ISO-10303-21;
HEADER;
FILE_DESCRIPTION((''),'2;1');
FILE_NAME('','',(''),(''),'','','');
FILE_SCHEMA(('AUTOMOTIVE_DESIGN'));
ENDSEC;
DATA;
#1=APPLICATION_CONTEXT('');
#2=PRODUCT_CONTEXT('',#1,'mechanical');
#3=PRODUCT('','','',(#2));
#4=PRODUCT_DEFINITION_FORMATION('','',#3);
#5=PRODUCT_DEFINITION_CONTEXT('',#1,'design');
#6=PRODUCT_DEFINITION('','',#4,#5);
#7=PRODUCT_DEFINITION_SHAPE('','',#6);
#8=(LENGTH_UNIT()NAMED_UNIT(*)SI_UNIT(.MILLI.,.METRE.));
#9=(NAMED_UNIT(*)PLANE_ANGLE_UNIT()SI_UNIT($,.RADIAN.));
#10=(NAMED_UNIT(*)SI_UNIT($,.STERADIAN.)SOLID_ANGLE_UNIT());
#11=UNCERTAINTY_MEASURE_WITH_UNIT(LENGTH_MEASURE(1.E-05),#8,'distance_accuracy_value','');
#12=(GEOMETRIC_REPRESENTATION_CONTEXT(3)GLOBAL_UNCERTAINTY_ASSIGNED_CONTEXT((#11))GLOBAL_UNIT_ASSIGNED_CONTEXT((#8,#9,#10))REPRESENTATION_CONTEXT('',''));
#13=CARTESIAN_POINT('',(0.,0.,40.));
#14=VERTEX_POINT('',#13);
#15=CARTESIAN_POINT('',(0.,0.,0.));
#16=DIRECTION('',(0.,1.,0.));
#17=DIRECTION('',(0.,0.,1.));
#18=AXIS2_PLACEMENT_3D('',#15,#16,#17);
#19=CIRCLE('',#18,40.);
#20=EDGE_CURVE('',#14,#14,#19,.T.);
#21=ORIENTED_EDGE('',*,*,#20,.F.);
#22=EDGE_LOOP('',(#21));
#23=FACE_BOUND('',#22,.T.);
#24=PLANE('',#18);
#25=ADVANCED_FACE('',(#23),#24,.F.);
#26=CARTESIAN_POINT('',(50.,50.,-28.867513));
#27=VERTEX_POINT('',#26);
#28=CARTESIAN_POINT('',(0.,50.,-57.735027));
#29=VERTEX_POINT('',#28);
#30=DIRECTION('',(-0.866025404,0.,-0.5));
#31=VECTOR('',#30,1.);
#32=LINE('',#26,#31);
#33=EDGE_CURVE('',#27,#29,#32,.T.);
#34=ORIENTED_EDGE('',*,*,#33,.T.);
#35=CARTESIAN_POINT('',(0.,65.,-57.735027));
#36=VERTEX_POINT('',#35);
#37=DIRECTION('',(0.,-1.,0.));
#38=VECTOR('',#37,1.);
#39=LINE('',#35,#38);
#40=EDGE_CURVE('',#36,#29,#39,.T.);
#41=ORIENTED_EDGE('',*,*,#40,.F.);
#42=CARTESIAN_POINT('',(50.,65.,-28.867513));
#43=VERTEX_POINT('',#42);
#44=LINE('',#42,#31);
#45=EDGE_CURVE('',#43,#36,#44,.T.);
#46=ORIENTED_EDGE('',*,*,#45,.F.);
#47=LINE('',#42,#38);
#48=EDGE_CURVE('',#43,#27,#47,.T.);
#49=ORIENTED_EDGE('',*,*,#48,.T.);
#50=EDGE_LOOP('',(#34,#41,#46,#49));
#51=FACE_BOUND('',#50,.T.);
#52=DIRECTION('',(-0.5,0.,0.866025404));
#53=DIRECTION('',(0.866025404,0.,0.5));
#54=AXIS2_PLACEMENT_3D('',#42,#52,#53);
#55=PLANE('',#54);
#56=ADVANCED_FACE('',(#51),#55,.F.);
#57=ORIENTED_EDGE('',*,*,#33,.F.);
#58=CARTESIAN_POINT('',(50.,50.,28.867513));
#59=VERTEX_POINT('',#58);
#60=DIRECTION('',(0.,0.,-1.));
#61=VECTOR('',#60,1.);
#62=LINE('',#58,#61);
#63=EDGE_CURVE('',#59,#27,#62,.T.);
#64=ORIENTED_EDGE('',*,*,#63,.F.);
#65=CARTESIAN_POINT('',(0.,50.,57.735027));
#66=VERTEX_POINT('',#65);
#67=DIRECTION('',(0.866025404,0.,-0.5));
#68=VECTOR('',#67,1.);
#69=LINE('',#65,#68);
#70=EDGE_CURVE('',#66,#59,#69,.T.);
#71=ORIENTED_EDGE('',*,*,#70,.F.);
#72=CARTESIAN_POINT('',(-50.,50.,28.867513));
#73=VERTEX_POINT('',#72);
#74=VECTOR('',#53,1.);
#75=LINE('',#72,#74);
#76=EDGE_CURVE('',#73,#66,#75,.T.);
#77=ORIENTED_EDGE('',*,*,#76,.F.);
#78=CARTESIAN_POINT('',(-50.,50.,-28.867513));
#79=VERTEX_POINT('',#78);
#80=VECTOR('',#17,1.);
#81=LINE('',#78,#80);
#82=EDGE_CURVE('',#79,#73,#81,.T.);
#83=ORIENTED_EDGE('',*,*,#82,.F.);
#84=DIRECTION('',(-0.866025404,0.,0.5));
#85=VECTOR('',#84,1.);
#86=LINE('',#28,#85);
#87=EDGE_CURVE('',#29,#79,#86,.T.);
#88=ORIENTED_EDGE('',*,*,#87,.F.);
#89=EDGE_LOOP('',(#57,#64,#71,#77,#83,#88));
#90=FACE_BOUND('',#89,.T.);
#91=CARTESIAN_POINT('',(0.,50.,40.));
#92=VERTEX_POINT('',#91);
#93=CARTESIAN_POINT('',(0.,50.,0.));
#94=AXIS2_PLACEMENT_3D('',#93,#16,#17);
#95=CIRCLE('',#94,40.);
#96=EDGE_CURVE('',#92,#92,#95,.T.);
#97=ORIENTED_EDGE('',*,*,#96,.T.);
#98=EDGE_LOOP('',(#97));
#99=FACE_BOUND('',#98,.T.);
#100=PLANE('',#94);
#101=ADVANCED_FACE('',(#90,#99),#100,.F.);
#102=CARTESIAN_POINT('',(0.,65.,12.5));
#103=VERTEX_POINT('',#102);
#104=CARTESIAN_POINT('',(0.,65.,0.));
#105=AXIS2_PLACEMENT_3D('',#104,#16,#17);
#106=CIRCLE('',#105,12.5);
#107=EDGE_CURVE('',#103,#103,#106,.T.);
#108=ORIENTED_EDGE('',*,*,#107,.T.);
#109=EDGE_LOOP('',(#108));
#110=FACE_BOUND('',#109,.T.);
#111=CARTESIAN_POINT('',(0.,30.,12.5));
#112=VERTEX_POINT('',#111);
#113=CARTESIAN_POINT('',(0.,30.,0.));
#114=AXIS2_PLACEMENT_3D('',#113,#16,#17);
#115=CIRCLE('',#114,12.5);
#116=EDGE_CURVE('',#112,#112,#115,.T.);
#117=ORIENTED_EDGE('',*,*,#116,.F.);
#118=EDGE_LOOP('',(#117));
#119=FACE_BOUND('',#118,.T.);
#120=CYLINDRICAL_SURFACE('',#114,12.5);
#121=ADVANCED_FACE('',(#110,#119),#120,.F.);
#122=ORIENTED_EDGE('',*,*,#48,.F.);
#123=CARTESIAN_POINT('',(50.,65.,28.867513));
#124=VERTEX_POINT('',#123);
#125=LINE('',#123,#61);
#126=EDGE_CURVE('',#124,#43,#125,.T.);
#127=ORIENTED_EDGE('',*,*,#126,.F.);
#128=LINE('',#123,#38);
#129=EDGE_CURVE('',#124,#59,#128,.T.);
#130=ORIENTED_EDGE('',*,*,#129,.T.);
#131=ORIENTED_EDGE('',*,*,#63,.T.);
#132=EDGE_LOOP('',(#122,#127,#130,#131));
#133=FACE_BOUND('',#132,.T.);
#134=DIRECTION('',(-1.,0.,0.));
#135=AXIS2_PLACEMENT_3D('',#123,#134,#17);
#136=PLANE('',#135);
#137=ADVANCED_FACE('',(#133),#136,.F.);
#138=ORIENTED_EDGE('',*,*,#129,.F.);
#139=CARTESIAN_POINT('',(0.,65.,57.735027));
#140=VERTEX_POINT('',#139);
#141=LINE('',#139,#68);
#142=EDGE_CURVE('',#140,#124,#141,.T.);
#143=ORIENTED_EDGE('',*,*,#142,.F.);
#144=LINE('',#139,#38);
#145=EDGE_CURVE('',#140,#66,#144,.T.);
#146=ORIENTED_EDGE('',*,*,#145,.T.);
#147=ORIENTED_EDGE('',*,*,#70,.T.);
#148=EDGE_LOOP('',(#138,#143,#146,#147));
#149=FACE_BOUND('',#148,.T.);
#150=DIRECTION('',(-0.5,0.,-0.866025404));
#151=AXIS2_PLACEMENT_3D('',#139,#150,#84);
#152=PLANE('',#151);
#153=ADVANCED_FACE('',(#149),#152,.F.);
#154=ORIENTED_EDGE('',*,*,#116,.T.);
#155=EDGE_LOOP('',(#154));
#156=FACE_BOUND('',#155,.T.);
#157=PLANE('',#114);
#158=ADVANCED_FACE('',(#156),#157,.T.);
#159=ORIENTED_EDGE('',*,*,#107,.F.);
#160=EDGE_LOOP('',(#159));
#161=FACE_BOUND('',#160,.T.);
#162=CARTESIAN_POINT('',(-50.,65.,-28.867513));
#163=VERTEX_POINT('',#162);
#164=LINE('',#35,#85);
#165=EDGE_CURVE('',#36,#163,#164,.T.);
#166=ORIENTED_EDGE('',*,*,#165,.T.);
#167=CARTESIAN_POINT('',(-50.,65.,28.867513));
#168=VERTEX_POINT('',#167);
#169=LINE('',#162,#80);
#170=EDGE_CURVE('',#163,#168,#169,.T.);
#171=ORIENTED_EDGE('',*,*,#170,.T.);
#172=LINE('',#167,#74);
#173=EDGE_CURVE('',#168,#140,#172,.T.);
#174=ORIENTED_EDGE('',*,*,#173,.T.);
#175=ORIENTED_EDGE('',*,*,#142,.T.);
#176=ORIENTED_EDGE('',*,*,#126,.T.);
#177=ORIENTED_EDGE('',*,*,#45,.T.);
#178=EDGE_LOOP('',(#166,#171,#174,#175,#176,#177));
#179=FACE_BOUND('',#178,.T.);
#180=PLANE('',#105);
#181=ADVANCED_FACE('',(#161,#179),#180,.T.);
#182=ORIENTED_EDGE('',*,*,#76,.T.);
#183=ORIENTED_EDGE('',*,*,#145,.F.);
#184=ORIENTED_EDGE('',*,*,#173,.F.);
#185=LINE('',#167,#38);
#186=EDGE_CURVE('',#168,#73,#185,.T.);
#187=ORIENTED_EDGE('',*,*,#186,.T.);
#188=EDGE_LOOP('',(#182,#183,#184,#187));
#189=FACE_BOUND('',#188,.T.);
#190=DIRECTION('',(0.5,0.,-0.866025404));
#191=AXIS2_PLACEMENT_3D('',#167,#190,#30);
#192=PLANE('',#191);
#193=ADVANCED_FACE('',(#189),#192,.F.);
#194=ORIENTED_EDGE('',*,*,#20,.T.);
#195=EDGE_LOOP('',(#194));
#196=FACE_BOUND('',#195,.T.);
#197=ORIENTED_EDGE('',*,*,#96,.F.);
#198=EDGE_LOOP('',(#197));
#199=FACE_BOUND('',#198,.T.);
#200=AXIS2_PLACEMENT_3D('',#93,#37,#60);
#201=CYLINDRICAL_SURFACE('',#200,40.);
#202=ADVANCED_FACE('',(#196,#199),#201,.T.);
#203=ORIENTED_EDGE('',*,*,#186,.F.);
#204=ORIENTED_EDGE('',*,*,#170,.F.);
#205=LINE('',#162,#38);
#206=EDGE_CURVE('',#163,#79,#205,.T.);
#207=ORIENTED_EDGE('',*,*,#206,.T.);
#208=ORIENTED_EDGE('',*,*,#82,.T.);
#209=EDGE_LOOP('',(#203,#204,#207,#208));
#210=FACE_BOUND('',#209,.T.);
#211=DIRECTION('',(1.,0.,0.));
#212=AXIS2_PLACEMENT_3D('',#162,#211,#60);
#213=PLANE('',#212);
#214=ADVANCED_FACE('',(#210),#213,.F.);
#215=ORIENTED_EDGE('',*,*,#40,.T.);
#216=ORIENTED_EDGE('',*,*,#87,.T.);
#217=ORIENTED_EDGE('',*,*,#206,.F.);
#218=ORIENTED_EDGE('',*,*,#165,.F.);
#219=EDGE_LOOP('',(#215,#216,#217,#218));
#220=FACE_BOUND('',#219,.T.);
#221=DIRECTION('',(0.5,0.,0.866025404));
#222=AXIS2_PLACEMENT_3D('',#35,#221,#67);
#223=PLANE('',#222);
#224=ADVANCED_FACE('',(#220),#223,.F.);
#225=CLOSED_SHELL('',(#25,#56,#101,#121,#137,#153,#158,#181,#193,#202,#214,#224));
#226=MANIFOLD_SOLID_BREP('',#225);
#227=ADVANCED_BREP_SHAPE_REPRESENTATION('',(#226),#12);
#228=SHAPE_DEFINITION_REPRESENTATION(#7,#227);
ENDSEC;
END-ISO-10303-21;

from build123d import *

# Parameters (mm, degrees)
SKETCH1_R           = 40
BOSS_EXTRUDE1_DEPTH = 50
BOSS_EXTRUDE2_DEPTH = 15
SKETCH4_R           = 12.5
CUT_EXTRUDE1_DEPTH  = 35


with BuildPart() as part:
    # Sketch1 → Boss-Extrude1 (new body)
    with BuildSketch(Plane(origin=(0, 0, 0), x_dir=(1, 0, 0), z_dir=(0, 1, 0))):
        Circle(SKETCH1_R)
    extrude(amount=BOSS_EXTRUDE1_DEPTH)

    # Sketch2 → Boss-Extrude2 (add)
    with BuildSketch(Plane(origin=(0, 50, 0), x_dir=(1, 0, 0), z_dir=(0, 1, 0))):
        Polygon((0, -57.735026919), (50, -28.867513459), (50, 28.867513459), (0, 57.735026919), (-50, 28.867513459), (-50, -28.867513459), align=None)
    extrude(amount=BOSS_EXTRUDE2_DEPTH)

    # Sketch4 → Cut-Extrude1 (cut)
    with BuildSketch(Plane(origin=(0, 65, 0), x_dir=(1, 0, 0), z_dir=(0, 1, 0))):
        Circle(SKETCH4_R)
    extrude(amount=-CUT_EXTRUDE1_DEPTH, mode=Mode.SUBTRACT)


solid = part.part
